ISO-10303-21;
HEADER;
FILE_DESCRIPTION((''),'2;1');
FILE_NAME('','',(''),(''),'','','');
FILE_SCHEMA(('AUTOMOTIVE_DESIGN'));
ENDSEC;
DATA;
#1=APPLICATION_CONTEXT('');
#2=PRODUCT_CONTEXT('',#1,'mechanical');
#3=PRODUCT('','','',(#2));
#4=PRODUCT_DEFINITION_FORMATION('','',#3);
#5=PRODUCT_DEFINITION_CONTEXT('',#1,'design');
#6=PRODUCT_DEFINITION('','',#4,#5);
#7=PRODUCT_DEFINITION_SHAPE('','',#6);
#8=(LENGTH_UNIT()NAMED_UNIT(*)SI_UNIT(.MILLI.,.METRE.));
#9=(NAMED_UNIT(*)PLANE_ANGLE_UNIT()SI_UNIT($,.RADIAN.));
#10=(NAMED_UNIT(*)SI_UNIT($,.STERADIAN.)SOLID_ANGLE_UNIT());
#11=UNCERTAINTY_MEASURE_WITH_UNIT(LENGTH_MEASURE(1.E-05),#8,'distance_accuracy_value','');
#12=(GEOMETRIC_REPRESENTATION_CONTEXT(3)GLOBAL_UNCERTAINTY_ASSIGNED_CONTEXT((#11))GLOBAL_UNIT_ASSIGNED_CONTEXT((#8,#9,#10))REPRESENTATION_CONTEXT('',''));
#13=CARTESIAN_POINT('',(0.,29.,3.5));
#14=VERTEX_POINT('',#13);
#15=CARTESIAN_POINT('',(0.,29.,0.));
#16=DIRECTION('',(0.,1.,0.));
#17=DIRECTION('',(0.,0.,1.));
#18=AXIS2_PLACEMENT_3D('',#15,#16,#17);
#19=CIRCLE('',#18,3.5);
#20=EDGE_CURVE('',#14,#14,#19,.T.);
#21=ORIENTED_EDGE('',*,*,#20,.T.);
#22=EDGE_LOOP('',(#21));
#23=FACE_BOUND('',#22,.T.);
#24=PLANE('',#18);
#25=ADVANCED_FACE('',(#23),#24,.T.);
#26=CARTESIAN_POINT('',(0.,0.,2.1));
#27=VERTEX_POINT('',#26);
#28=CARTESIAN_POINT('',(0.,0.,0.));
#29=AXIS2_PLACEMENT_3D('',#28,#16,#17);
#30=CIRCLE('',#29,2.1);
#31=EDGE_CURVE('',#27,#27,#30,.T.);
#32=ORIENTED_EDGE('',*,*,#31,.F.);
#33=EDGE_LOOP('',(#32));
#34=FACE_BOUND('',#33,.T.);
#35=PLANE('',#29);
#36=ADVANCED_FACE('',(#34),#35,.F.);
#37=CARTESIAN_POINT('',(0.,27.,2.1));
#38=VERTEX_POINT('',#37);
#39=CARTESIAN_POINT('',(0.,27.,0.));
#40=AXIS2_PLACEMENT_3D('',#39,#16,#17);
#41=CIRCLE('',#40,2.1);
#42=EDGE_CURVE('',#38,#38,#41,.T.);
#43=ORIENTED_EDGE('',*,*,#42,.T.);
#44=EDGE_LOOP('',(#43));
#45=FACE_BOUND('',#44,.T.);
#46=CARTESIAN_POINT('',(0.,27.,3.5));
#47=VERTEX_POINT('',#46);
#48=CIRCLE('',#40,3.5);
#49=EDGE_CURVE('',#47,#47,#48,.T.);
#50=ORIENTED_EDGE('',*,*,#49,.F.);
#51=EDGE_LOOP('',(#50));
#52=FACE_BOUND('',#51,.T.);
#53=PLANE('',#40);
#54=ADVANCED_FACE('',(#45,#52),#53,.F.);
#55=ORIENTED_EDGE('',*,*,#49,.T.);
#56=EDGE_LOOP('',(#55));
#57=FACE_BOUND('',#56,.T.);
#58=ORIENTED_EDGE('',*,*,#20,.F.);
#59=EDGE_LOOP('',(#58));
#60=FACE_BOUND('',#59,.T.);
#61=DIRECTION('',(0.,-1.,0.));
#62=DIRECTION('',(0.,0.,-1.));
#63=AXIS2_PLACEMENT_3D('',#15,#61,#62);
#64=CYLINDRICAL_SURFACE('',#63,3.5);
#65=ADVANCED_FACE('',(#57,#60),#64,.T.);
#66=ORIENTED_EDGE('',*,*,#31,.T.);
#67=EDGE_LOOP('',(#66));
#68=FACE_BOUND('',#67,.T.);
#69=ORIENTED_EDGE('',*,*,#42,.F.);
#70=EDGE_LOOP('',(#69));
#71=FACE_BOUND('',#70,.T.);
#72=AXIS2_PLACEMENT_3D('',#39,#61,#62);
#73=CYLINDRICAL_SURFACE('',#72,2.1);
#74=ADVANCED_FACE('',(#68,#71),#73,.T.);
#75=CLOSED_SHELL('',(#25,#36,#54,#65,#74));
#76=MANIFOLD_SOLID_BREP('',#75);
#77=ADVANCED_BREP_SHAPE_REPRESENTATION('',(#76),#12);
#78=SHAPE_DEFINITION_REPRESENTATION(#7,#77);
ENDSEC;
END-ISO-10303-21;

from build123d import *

# Parameters (mm, degrees)
SKETCH1_R           = 2.1
BOSS_EXTRUDE1_DEPTH = 27
SKETCH2_R           = 3.5
BOSS_EXTRUDE3_DEPTH = 2


with BuildPart() as part:
    # Sketch1 → Boss-Extrude1 (new body)
    with BuildSketch(Plane(origin=(0, 0, 0), x_dir=(1, 0, 0), z_dir=(0, 1, 0))):
        Circle(SKETCH1_R)
    extrude(amount=BOSS_EXTRUDE1_DEPTH)

    # Sketch2 → Boss-Extrude3 (add)
    with BuildSketch(Plane(origin=(0, 27, 0), x_dir=(1, 0, 0), z_dir=(0, 1, 0))):
        Circle(SKETCH2_R)
    extrude(amount=BOSS_EXTRUDE3_DEPTH)


solid = part.part
